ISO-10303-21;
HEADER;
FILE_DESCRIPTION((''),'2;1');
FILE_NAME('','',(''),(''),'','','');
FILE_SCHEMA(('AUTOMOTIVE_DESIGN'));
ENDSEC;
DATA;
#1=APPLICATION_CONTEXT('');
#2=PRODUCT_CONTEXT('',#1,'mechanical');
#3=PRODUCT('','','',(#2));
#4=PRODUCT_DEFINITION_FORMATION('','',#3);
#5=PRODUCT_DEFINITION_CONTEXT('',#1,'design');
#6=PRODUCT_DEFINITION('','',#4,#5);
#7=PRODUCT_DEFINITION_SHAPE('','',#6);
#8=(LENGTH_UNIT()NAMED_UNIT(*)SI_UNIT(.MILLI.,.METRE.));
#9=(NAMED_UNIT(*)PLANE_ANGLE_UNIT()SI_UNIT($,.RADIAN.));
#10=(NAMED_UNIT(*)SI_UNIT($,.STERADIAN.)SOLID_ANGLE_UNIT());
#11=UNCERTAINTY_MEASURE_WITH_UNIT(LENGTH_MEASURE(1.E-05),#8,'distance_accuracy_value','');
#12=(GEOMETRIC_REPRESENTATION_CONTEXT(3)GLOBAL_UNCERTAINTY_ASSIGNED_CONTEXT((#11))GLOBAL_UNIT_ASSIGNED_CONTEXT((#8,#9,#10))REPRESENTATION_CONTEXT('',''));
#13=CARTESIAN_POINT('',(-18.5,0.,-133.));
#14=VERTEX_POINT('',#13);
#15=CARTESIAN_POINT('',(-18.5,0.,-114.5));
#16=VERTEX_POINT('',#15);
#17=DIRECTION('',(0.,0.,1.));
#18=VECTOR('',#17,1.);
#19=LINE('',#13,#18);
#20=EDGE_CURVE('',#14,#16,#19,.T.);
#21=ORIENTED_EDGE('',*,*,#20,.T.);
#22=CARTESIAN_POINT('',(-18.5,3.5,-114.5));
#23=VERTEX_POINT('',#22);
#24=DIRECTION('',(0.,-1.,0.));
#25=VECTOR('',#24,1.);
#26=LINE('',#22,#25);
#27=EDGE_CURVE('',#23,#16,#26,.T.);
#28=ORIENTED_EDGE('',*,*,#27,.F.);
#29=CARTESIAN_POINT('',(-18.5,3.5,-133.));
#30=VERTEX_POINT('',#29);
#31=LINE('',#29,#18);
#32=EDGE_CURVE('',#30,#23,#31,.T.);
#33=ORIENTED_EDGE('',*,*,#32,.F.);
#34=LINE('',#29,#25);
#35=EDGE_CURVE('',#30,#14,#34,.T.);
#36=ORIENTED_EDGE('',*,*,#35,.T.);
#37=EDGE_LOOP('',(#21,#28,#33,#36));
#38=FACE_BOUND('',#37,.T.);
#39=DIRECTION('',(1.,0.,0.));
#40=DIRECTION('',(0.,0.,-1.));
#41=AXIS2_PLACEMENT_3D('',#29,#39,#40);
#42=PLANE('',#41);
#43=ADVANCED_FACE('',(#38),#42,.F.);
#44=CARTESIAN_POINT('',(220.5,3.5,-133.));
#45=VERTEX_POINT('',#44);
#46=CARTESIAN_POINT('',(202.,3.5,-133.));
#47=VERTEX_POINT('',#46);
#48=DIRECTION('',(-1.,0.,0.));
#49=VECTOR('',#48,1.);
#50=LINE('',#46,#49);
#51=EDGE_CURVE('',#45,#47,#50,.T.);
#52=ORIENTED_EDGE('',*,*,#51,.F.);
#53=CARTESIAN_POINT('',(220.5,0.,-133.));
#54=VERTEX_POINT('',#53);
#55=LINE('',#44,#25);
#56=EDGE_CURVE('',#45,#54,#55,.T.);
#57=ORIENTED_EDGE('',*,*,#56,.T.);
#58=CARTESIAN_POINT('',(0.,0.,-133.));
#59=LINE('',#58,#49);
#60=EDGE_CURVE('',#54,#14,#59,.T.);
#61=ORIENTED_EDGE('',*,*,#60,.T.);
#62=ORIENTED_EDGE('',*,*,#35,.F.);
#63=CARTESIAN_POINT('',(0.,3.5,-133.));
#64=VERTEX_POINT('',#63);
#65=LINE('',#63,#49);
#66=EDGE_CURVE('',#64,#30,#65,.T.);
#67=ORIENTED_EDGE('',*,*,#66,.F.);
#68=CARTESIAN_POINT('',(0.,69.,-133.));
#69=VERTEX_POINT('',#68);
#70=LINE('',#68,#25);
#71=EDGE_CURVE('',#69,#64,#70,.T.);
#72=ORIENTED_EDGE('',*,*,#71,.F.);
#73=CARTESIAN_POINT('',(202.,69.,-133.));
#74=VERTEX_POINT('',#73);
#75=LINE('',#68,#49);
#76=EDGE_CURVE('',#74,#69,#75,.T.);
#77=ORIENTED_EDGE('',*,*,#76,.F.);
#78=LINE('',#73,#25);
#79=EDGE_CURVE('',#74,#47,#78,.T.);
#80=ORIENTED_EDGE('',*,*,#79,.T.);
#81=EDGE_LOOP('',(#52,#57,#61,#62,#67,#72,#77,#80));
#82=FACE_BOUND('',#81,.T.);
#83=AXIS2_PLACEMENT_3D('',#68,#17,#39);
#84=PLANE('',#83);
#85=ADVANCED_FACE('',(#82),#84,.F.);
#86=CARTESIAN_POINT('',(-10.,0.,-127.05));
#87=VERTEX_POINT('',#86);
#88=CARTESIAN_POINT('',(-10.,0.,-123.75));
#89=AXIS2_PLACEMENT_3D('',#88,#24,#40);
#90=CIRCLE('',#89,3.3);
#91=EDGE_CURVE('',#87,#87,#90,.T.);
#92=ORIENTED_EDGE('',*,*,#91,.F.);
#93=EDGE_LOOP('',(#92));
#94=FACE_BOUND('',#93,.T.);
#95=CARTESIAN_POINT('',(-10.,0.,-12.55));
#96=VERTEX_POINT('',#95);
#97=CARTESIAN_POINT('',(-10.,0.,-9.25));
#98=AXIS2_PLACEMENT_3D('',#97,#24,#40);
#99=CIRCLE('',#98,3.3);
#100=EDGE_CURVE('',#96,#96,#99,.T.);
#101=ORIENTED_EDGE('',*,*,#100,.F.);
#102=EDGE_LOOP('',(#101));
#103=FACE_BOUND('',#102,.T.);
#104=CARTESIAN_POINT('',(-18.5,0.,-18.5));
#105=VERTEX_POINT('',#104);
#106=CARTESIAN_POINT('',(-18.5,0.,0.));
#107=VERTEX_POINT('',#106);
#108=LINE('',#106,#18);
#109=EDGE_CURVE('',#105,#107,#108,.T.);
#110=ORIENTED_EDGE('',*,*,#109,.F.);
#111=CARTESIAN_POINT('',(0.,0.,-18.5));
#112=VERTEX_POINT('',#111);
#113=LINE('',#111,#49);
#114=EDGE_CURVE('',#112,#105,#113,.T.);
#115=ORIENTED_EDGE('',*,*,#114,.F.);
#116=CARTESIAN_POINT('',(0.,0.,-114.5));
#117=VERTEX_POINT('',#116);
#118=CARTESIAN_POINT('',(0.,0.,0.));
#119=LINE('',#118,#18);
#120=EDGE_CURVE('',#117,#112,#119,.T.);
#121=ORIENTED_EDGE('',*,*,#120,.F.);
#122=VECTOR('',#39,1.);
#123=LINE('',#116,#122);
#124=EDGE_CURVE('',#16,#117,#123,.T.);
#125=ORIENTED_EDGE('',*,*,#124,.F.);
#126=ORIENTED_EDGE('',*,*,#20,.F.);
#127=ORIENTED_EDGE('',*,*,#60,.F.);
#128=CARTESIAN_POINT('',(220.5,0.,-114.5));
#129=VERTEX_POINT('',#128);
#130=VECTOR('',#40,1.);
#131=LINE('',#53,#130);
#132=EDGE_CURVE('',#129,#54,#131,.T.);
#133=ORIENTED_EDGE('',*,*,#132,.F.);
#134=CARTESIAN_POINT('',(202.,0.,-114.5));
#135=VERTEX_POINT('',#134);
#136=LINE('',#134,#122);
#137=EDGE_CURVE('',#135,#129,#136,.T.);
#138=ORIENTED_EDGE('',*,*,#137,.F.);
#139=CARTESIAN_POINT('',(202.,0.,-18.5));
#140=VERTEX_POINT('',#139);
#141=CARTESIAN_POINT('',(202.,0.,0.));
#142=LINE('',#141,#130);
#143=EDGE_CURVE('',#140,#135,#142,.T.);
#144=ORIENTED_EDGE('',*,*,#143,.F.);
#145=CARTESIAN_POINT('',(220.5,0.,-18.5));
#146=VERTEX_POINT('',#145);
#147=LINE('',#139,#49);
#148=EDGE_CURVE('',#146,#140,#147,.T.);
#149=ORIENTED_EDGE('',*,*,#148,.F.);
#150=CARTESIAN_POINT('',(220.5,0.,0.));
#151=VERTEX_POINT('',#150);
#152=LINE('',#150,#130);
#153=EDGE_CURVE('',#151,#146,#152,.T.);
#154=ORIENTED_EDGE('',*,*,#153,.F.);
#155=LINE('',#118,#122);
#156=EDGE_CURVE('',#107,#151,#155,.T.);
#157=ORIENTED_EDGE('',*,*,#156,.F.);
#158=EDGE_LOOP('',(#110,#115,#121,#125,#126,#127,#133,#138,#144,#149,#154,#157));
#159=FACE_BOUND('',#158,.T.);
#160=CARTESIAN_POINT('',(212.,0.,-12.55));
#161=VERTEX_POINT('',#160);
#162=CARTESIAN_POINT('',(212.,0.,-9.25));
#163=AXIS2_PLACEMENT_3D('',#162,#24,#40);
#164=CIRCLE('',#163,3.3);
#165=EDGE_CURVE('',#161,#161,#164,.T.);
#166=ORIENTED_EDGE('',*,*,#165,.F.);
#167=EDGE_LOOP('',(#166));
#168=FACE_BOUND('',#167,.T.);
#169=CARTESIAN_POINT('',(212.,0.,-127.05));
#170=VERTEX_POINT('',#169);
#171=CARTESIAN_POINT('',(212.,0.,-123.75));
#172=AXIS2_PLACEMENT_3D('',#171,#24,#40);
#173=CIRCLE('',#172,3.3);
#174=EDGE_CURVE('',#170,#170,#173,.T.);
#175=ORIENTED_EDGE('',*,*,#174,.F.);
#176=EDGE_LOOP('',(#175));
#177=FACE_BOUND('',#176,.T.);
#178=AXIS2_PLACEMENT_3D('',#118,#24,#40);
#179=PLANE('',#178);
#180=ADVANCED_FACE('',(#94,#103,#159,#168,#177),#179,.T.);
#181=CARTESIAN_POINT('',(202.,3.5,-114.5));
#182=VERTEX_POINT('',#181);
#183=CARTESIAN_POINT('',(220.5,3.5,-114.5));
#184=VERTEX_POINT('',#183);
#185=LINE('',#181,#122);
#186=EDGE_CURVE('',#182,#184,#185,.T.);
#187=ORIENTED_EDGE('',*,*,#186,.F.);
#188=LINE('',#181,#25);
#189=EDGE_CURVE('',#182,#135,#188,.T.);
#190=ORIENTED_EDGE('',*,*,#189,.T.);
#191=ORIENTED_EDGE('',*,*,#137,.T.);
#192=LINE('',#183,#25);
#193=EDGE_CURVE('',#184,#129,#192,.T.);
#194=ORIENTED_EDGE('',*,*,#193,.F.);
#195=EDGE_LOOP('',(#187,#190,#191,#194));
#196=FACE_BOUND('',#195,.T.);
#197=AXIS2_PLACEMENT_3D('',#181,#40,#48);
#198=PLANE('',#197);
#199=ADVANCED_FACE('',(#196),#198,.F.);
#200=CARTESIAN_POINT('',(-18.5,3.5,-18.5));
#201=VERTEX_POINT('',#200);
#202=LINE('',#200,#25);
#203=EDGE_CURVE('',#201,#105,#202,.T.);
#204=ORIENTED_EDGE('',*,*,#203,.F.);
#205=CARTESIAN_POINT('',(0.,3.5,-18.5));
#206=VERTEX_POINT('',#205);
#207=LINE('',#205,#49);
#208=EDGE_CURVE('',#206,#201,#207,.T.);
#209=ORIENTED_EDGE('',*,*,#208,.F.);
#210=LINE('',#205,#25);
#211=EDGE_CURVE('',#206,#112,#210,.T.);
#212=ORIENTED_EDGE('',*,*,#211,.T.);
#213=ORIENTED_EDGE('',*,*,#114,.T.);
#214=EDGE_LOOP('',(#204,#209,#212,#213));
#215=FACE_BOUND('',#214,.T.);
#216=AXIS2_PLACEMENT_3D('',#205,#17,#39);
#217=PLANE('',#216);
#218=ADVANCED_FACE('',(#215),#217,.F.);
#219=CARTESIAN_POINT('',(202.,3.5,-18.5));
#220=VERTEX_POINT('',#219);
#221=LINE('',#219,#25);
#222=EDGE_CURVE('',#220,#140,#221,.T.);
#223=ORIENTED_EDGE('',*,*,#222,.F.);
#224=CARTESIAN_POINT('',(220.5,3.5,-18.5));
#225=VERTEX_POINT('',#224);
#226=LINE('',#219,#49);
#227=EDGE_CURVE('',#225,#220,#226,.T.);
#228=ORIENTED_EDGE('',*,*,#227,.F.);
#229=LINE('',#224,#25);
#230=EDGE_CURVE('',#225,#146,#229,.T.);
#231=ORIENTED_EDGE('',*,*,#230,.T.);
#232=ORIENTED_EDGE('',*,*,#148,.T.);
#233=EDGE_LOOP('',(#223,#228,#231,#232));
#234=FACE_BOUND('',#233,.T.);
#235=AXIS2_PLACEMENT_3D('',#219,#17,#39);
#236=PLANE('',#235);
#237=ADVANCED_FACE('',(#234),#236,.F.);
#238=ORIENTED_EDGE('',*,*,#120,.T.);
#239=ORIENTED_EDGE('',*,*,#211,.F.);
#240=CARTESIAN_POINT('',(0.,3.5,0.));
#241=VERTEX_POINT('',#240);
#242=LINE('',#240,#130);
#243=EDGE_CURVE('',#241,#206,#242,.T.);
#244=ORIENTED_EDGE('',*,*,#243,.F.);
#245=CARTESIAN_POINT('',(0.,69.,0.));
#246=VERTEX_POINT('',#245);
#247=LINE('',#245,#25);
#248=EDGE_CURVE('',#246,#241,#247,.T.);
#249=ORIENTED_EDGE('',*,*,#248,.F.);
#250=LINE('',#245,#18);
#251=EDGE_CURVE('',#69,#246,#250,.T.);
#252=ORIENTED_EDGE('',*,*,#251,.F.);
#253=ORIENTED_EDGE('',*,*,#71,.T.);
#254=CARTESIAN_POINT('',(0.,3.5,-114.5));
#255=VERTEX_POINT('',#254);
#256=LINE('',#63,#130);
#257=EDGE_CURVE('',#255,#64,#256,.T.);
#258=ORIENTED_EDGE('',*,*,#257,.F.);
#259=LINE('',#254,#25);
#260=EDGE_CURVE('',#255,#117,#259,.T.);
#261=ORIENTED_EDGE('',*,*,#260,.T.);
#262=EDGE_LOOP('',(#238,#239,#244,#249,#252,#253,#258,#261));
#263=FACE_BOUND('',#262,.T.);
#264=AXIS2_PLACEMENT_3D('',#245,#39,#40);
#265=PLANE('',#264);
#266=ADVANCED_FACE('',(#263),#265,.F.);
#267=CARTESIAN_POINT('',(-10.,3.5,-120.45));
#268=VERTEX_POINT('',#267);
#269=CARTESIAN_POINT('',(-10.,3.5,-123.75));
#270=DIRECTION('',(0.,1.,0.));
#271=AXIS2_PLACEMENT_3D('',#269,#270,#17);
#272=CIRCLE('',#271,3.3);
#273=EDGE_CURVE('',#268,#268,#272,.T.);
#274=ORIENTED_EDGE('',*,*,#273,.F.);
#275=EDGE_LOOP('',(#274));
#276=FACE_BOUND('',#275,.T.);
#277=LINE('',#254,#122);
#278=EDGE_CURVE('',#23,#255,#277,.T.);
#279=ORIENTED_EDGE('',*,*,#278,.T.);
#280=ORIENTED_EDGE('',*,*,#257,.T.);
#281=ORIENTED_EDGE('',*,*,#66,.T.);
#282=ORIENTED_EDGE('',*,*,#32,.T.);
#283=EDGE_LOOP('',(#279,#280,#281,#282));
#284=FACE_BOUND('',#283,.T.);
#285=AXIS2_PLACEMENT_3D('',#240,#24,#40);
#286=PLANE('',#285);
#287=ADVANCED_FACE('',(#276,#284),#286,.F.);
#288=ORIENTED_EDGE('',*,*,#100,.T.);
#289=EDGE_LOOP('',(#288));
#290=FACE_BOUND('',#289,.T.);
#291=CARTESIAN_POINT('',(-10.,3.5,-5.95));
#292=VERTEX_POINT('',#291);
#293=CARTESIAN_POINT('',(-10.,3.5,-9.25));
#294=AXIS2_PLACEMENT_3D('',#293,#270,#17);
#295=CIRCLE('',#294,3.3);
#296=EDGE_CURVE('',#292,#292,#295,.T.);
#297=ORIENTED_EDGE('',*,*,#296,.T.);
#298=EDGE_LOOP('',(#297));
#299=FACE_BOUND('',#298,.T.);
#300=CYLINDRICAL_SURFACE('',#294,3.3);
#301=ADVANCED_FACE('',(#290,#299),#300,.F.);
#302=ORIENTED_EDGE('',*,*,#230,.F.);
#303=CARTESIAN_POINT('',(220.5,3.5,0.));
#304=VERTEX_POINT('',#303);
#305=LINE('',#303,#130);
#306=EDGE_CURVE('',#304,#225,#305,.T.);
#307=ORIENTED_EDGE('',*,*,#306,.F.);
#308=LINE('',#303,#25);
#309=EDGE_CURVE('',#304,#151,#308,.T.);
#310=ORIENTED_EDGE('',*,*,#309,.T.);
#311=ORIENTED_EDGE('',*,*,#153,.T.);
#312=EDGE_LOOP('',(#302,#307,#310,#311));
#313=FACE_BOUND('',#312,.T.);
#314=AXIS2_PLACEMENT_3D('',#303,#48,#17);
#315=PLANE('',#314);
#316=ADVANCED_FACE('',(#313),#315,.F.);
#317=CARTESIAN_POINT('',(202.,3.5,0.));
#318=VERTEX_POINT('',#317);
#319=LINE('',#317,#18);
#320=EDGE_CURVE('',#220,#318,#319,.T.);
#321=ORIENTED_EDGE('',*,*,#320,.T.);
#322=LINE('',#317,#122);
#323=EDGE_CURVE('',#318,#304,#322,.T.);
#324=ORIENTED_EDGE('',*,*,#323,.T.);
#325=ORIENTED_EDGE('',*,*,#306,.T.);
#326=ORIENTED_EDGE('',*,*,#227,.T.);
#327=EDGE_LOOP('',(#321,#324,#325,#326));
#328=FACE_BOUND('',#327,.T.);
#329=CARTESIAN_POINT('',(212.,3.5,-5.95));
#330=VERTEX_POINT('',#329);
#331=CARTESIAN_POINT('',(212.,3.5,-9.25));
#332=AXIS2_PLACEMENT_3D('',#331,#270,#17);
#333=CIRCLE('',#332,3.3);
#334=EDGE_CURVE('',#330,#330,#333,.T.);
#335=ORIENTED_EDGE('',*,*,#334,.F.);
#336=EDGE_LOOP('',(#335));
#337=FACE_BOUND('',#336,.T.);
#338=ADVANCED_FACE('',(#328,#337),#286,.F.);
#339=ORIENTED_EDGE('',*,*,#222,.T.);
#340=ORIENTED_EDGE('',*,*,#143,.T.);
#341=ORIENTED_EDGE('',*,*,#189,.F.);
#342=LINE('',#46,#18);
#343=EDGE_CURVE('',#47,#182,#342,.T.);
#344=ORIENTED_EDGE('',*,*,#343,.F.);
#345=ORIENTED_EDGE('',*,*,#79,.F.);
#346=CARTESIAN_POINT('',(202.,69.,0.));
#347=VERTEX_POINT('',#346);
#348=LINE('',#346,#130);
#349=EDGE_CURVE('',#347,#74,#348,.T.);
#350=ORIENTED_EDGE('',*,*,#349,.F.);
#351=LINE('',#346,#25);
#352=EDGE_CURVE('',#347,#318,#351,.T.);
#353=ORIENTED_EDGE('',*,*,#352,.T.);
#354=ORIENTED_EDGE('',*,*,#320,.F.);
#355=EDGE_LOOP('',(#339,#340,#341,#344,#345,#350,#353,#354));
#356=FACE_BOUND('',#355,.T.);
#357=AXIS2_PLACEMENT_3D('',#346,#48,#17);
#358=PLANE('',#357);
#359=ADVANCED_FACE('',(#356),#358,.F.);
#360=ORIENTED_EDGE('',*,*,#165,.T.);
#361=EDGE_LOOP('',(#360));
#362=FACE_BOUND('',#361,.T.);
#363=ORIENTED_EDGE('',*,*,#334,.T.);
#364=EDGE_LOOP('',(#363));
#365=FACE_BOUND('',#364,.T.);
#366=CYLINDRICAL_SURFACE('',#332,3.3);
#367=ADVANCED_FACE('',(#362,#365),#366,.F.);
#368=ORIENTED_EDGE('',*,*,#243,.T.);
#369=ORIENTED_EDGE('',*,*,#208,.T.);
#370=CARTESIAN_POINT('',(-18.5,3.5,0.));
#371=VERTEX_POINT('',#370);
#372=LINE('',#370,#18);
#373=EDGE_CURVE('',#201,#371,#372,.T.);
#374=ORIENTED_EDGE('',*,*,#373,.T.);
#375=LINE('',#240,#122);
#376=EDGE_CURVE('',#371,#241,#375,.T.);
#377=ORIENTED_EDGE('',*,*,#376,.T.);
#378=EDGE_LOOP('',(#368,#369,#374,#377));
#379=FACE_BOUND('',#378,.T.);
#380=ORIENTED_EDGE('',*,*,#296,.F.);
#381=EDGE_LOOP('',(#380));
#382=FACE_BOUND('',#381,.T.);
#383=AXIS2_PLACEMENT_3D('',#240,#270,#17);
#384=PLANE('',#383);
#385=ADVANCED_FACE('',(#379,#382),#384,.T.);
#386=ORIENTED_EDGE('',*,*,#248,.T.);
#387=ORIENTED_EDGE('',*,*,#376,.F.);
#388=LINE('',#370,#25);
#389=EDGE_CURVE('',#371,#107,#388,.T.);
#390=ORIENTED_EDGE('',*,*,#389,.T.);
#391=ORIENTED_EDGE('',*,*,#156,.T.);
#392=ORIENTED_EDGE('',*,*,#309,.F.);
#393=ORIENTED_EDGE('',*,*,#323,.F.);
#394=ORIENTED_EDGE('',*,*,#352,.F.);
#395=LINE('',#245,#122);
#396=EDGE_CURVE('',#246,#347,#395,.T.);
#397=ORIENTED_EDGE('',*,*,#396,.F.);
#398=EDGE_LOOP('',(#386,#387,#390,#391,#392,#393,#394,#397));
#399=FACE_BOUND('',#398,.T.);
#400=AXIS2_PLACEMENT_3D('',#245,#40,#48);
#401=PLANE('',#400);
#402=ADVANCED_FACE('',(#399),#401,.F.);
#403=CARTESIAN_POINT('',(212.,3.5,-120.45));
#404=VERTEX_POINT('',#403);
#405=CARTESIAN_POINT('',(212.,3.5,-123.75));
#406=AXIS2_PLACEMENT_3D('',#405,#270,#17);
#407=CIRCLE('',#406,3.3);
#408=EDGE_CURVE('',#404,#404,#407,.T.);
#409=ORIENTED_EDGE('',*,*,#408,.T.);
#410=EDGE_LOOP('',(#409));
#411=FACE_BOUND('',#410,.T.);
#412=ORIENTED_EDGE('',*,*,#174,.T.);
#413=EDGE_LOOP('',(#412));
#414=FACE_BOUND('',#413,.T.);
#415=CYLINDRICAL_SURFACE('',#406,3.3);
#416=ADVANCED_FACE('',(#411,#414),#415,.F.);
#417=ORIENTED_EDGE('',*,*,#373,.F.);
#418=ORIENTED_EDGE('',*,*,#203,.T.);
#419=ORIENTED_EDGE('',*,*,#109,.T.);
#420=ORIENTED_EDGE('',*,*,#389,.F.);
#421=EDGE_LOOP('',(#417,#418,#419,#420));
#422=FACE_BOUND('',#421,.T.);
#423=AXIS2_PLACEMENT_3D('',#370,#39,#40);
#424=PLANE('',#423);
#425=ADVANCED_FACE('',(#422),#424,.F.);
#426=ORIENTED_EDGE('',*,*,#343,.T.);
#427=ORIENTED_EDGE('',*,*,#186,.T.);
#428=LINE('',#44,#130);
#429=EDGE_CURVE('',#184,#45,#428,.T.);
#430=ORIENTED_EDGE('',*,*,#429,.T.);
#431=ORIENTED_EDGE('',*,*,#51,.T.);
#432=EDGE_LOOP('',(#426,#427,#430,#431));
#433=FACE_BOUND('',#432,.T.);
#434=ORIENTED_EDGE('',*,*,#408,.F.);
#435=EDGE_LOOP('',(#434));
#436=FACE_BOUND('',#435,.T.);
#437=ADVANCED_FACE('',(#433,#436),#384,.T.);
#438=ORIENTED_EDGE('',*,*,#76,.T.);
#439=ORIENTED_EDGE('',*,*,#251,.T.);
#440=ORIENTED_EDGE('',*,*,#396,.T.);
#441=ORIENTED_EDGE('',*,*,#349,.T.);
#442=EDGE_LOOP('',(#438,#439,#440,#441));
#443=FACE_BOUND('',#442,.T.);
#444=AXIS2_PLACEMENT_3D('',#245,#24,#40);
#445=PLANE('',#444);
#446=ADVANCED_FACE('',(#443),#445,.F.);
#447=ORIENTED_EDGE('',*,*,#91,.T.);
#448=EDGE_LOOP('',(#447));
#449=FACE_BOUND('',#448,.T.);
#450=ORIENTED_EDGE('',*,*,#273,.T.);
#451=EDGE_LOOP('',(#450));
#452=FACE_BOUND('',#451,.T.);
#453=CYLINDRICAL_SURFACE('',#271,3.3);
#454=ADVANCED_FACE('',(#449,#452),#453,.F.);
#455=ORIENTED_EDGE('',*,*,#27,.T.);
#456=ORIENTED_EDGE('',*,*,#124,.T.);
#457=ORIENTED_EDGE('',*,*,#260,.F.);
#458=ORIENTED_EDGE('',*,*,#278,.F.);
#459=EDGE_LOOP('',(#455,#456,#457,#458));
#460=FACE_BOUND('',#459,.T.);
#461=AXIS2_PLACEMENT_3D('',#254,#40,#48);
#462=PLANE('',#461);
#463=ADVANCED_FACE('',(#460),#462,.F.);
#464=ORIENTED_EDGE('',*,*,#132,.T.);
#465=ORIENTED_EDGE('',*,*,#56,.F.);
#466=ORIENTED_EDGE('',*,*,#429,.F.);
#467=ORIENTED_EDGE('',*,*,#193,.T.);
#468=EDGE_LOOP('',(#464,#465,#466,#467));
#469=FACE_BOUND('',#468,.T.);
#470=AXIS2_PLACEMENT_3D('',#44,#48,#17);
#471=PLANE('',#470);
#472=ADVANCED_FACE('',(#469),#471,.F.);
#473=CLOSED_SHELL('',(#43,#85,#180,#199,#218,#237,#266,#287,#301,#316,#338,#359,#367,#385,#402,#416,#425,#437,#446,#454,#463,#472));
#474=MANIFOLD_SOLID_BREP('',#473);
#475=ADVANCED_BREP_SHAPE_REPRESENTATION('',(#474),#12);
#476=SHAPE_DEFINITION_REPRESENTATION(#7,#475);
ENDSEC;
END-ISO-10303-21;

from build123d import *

# Parameters (mm, degrees)
SKETCH1_W            = 202
SKETCH1_H            = 133
BOSS_EXTRUDE1_DEPTH  = 69
SKETCH2_W            = 18.5
SKETCH2_H            = 18.5
BOSS_EXTRUDE2_DEPTH  = 3.5
M6_CLEARANCE_HOLE1_D = 6.6


with BuildPart() as part:
    # Sketch1 → Boss-Extrude1 (new body)
    with BuildSketch(Plane(origin=(0, 0, 0), x_dir=(1, 0, 0), z_dir=(0, 1, 0))):
        with Locations((101, 66.5)):
            Rectangle(SKETCH1_W, SKETCH1_H)
    extrude(amount=BOSS_EXTRUDE1_DEPTH)

    # Sketch2 → Boss-Extrude2 (add)
    with BuildSketch(Plane(origin=(0, 0, 0), x_dir=(1, 0, 0), z_dir=(0, 1, 0))):
        with Locations((-9.25, 123.75)):
            Rectangle(SKETCH2_W, SKETCH2_H)
        with Locations((-9.25, 9.25)):
            Rectangle(SKETCH2_W, SKETCH2_H)
        with Locations((211.25, 9.25)):
            Rectangle(SKETCH2_W, SKETCH2_H)
        with Locations((211.25, 123.75)):
            Rectangle(SKETCH2_W, SKETCH2_H)
    extrude(amount=BOSS_EXTRUDE2_DEPTH)

    # M6 Clearance Hole1 (through all)
    with Locations(Plane(origin=(0, 3.5, 0), x_dir=(1, 0, 0), z_dir=(0, 1, 0))):
        with Locations((-10, 123.75), (-10, 9.25), (212, 9.25), (212, 123.75)):
            Hole(M6_CLEARANCE_HOLE1_D / 2)


solid = part.part
